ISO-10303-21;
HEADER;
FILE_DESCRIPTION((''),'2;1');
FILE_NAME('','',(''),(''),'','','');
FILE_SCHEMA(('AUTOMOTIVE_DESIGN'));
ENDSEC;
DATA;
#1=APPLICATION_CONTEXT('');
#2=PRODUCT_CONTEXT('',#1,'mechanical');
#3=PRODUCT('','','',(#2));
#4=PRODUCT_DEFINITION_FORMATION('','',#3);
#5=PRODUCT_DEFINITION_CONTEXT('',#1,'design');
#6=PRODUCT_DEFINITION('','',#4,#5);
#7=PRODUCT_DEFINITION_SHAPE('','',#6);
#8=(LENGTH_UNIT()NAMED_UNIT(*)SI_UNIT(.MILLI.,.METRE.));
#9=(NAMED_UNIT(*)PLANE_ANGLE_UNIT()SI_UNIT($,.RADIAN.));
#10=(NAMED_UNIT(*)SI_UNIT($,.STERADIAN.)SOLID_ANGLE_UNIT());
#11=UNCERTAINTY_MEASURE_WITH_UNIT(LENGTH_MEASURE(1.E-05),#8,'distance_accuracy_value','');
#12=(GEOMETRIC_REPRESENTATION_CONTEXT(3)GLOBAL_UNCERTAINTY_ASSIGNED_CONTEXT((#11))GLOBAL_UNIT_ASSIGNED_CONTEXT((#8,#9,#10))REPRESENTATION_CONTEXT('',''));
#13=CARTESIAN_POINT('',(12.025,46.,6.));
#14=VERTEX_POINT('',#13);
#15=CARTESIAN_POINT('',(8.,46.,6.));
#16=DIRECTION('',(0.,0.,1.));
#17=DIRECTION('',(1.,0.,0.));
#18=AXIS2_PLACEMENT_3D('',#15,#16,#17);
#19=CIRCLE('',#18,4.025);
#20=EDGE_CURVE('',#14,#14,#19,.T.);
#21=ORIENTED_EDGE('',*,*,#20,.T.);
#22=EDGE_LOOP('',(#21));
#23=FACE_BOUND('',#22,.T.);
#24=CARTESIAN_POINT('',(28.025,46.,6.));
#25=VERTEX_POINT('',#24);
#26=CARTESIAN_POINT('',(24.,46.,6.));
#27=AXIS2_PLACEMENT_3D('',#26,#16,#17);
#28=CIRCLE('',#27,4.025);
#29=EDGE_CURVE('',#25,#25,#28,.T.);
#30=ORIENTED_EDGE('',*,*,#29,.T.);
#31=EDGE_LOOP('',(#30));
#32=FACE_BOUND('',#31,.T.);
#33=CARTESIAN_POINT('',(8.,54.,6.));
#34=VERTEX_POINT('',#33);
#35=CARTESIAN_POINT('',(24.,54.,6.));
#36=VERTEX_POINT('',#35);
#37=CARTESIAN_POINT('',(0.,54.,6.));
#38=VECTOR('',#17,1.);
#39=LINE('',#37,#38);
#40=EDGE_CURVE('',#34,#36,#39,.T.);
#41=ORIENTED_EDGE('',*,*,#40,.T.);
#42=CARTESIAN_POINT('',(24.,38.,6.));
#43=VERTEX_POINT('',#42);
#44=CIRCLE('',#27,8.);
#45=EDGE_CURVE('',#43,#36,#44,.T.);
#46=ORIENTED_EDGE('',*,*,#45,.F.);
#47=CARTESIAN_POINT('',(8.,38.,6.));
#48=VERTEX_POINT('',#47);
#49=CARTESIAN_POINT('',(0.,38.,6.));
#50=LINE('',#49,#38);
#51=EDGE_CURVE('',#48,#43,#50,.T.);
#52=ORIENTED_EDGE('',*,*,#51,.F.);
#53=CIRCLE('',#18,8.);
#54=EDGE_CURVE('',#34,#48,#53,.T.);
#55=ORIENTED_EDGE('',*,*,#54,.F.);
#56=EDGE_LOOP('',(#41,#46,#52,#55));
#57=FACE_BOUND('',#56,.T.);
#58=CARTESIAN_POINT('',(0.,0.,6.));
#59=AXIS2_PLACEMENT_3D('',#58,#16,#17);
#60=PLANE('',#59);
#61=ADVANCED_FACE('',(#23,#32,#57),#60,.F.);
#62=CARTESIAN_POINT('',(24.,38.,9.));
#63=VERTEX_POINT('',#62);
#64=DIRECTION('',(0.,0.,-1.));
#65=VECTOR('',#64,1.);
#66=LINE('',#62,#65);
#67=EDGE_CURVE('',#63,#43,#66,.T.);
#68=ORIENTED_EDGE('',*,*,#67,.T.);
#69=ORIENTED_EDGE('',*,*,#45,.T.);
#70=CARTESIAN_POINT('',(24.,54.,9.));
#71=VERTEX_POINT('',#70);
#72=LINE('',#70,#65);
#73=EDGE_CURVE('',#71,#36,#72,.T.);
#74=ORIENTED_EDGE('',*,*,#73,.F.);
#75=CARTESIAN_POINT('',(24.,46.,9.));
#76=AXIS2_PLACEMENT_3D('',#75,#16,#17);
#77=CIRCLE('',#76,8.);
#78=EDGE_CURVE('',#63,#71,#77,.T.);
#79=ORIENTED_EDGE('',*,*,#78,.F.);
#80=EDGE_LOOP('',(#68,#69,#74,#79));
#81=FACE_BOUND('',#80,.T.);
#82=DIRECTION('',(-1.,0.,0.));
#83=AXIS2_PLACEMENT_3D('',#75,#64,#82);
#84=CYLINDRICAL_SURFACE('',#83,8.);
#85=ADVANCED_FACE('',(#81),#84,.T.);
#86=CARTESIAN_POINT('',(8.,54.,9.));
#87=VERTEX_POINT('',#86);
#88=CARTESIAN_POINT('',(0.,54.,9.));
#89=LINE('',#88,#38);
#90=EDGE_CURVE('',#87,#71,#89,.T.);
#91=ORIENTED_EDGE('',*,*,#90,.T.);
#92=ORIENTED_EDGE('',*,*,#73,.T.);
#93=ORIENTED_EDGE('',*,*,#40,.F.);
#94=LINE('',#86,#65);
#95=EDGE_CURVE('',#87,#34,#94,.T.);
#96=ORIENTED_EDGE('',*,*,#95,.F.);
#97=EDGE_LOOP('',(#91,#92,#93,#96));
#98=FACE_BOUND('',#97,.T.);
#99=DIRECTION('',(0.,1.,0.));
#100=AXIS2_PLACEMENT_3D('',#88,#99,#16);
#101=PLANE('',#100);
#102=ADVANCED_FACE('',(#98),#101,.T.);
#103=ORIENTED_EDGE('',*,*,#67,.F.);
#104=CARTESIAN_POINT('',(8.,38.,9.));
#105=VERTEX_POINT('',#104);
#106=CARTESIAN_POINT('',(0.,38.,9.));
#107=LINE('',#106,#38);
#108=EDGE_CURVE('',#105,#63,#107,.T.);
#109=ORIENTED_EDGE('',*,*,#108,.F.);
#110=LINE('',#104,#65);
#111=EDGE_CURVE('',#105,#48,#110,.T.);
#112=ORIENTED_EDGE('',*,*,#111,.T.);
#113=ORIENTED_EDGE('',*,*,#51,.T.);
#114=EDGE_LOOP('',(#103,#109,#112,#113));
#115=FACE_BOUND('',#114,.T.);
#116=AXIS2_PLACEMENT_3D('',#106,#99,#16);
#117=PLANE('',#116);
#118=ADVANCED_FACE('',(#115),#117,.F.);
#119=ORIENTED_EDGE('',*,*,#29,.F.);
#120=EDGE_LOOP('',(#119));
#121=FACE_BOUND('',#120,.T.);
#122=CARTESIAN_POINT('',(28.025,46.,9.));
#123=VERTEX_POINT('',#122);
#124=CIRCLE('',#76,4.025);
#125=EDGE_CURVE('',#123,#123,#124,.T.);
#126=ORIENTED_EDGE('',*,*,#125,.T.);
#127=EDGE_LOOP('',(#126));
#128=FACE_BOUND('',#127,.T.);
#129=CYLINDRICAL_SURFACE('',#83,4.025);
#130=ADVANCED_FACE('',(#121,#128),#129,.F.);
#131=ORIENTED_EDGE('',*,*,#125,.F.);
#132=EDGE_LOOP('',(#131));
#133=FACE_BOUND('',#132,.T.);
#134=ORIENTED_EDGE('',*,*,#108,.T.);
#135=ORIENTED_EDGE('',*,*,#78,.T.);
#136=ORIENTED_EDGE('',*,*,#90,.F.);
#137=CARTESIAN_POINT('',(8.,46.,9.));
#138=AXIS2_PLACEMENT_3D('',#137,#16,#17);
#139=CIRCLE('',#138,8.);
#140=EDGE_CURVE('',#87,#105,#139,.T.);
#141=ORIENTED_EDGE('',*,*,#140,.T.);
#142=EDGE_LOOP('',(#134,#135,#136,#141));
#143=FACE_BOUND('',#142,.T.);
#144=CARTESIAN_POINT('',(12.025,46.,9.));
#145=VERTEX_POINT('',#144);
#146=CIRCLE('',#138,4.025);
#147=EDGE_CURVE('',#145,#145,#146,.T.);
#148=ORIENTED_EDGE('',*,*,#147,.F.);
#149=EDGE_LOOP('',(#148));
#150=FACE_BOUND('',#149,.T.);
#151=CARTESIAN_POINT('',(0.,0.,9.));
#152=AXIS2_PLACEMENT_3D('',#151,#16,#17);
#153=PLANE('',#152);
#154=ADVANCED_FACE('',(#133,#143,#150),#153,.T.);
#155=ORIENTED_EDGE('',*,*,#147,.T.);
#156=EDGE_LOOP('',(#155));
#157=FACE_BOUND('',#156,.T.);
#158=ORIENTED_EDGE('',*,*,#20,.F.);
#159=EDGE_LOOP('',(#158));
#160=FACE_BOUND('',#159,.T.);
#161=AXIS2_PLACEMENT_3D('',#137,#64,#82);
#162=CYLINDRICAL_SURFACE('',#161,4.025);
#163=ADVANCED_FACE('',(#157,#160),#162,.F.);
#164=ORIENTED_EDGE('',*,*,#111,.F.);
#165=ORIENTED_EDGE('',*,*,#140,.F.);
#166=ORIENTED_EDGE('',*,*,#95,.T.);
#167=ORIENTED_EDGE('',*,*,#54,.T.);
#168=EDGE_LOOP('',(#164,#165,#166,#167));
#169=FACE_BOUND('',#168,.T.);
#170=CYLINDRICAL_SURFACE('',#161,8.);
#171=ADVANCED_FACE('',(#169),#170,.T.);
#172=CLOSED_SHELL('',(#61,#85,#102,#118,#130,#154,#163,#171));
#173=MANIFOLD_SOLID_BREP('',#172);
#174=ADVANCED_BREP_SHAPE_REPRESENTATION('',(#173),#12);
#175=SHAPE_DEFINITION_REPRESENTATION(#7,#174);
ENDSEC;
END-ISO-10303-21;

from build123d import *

# Parameters (mm, degrees)
EXTRUDE_START   = 6
SKETCH_1_R      = 4.025
EXTRUDE_1_DEPTH = 3


with BuildPart() as part:
    # ｽｹｯﾁ1 → ﾎﾞｽ - 押し出し1 (new body)
    with BuildSketch(Plane.XY.offset(EXTRUDE_START)):
        with BuildLine():
            Line((8, 38), (24, 38))
            ThreePointArc((24, 38), (32, 46), (24, 54))
            Line((24, 54), (8, 54))
            ThreePointArc((8, 54), (0, 46), (8, 38))
        make_face()
        with Locations((8, 46)):
            Circle(SKETCH_1_R, mode=Mode.SUBTRACT)
        with Locations((24, 46)):
            Circle(SKETCH_1_R, mode=Mode.SUBTRACT)
    extrude(amount=EXTRUDE_1_DEPTH)


solid = part.part
